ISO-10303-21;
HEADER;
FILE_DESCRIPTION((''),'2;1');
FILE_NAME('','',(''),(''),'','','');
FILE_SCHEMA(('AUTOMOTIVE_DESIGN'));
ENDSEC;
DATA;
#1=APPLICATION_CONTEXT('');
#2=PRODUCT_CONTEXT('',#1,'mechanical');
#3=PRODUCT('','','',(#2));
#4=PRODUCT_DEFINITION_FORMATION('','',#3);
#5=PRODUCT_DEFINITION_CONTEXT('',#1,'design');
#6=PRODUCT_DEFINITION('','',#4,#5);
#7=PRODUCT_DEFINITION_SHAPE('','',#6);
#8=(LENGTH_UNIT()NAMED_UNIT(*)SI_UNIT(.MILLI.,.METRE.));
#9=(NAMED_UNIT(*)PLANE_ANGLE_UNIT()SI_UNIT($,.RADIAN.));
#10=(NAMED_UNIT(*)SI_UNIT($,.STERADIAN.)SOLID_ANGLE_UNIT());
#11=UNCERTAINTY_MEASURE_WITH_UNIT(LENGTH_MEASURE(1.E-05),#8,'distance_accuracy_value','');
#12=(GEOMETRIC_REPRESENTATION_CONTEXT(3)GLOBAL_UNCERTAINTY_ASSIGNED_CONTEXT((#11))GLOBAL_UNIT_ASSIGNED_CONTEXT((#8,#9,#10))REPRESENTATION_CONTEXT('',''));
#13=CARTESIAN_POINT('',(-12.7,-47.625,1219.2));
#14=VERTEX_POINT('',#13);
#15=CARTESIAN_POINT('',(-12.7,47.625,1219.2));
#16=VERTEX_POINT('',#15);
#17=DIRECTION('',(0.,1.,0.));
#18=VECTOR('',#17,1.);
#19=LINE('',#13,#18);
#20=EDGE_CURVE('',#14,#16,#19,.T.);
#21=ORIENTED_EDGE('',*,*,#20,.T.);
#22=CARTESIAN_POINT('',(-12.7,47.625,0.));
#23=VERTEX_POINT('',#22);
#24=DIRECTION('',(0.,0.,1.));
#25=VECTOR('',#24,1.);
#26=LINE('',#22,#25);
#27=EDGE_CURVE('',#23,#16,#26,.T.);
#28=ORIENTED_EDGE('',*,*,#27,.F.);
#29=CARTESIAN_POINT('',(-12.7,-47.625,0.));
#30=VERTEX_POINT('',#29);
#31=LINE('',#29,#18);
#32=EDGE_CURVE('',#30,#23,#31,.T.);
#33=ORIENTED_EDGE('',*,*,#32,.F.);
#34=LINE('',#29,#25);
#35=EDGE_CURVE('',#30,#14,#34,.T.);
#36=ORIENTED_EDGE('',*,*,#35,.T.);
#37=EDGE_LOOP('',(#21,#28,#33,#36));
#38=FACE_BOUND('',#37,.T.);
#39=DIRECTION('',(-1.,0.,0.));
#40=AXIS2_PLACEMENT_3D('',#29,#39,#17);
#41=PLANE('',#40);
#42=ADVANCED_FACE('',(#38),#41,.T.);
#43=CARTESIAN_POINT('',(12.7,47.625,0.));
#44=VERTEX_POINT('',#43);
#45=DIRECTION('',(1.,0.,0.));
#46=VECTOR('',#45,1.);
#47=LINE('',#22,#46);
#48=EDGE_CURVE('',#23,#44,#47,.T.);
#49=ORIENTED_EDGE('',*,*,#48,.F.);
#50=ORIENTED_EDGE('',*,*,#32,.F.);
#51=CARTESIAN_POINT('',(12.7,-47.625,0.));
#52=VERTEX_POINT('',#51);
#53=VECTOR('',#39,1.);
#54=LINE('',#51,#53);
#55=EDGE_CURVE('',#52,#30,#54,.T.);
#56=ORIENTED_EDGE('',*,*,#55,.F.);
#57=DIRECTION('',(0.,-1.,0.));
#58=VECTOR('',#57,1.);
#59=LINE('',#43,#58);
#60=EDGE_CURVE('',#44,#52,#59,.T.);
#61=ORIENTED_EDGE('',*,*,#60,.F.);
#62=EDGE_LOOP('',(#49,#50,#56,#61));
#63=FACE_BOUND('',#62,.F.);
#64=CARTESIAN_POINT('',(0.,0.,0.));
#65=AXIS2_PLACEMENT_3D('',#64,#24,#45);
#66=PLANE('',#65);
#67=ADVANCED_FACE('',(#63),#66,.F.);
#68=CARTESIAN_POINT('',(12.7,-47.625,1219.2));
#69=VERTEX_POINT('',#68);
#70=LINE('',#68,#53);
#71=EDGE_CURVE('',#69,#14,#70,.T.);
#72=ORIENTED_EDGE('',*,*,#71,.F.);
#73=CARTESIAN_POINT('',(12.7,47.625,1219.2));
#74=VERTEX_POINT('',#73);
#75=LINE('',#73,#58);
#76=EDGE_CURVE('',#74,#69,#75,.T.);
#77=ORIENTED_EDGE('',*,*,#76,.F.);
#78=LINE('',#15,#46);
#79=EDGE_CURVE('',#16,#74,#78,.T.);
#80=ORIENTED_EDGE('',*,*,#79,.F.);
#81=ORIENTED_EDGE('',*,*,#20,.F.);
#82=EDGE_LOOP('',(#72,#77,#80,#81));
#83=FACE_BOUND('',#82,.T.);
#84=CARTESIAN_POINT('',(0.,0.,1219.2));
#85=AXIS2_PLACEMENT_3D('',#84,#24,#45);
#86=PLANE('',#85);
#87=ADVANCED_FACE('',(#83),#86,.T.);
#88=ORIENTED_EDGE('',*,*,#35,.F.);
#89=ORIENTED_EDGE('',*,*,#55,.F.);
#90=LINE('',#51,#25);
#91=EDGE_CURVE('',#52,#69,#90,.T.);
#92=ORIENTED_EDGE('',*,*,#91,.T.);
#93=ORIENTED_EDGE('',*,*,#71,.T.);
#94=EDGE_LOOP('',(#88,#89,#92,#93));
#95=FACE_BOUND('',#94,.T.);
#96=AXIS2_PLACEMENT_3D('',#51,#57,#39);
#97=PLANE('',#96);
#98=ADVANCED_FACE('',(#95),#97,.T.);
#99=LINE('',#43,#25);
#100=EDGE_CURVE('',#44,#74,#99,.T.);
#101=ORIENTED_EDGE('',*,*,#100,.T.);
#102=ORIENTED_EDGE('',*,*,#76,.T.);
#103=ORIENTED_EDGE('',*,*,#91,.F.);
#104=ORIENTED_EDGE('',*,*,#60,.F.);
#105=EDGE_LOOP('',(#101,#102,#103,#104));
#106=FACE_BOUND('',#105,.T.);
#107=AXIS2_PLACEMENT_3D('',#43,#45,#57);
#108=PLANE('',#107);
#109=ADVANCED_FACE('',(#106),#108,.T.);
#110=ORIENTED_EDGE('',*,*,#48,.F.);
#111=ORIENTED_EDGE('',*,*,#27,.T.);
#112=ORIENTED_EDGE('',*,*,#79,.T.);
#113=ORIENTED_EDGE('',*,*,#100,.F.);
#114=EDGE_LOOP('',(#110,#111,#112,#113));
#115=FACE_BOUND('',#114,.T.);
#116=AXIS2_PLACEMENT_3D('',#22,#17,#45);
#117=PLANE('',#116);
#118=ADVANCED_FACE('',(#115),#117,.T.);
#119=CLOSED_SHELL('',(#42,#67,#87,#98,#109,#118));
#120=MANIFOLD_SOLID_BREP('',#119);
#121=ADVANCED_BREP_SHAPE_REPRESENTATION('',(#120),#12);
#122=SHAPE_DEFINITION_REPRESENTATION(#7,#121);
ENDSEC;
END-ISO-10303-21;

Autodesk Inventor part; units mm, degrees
ref_plane "YZ Plane" through (0, 0, 0) normal (1, 0, 0) x (0, 1, 0)
ref_plane "Start Plane" through (0, 0, 0) normal (0, 0, 1) x (1, 0, 0)
ref_plane "End Plane" through (0, 0, 1219.2) normal (0, 0, 1) x (1, 0, 0)
sketch "Sketch" plane through (0, 0, 0) normal (0, 0, 1) x (1, 0, 0)
  line L0 (12.7, -47.625) -> (-12.7, -47.625)
  line L1 (-12.7, -47.625) -> (-12.7, 47.625)
  line L2 (-12.7, 47.625) -> (12.7, 47.625)
  line L3 (12.7, 47.625) -> (12.7, -47.625)
  line L4 (-6, 0) -> (8, 0) construction
  line L5 (0, -30) -> (0, 40) construction
  line L6 (0, 66.675) -> (0, -66.675) construction
  line L7 (-17.78, 0) -> (17.78, 0) construction
  dimension "d0" = 95.25
  dimension "d1" = 25.4
  dimension "d4" = 12.7
  dimension "d5" = 47.625
extrude "Body" add sketch "Sketch" along normal up to surface (1219.2 mm away) from surface at 0
sketch "Sketch3" plane through (0, 0, 0) normal (0, 0, 1) x (1, 0, 0)
  line L0 (0, 0) -> (10, 0)
ref_plane "Work Plane3" through (0, 0, 0) normal (0, -1, 0) x (1, 0, 0)
sketch "Sketch4" plane through (0, 0, 0) normal (0, -1, 0) x (1, 0, 0)
  line L0 (-2, 0) -> (12, 0) projected
  line L1 (-2, 1219.2) -> (12, 1219.2) projected
  dimension "d9" = 1219.2
equation "\"d0\" = G_W"
equation "\"d1\" = G_H"
equation "\"d4\" = 0.5 * d1"
equation "\"d5\" = 0.5 * d0"
equation "\"d2\" = G_L"
equation "\"G_W\" = 95.25"
equation "\"G_H\" = 25.4"
equation "\"G_L\" = d9"
equation "\"G_OFFSET_START\" = 0"
equation "\"G_OFFSET_END\" = 0"
equation "\"d7\" = G_OFFSET_END + B_L"
equation "\"B_L\" = 1219.2"
properties part number "AISC - 3 3/4x1 - 48" material "Steel, Mild"
